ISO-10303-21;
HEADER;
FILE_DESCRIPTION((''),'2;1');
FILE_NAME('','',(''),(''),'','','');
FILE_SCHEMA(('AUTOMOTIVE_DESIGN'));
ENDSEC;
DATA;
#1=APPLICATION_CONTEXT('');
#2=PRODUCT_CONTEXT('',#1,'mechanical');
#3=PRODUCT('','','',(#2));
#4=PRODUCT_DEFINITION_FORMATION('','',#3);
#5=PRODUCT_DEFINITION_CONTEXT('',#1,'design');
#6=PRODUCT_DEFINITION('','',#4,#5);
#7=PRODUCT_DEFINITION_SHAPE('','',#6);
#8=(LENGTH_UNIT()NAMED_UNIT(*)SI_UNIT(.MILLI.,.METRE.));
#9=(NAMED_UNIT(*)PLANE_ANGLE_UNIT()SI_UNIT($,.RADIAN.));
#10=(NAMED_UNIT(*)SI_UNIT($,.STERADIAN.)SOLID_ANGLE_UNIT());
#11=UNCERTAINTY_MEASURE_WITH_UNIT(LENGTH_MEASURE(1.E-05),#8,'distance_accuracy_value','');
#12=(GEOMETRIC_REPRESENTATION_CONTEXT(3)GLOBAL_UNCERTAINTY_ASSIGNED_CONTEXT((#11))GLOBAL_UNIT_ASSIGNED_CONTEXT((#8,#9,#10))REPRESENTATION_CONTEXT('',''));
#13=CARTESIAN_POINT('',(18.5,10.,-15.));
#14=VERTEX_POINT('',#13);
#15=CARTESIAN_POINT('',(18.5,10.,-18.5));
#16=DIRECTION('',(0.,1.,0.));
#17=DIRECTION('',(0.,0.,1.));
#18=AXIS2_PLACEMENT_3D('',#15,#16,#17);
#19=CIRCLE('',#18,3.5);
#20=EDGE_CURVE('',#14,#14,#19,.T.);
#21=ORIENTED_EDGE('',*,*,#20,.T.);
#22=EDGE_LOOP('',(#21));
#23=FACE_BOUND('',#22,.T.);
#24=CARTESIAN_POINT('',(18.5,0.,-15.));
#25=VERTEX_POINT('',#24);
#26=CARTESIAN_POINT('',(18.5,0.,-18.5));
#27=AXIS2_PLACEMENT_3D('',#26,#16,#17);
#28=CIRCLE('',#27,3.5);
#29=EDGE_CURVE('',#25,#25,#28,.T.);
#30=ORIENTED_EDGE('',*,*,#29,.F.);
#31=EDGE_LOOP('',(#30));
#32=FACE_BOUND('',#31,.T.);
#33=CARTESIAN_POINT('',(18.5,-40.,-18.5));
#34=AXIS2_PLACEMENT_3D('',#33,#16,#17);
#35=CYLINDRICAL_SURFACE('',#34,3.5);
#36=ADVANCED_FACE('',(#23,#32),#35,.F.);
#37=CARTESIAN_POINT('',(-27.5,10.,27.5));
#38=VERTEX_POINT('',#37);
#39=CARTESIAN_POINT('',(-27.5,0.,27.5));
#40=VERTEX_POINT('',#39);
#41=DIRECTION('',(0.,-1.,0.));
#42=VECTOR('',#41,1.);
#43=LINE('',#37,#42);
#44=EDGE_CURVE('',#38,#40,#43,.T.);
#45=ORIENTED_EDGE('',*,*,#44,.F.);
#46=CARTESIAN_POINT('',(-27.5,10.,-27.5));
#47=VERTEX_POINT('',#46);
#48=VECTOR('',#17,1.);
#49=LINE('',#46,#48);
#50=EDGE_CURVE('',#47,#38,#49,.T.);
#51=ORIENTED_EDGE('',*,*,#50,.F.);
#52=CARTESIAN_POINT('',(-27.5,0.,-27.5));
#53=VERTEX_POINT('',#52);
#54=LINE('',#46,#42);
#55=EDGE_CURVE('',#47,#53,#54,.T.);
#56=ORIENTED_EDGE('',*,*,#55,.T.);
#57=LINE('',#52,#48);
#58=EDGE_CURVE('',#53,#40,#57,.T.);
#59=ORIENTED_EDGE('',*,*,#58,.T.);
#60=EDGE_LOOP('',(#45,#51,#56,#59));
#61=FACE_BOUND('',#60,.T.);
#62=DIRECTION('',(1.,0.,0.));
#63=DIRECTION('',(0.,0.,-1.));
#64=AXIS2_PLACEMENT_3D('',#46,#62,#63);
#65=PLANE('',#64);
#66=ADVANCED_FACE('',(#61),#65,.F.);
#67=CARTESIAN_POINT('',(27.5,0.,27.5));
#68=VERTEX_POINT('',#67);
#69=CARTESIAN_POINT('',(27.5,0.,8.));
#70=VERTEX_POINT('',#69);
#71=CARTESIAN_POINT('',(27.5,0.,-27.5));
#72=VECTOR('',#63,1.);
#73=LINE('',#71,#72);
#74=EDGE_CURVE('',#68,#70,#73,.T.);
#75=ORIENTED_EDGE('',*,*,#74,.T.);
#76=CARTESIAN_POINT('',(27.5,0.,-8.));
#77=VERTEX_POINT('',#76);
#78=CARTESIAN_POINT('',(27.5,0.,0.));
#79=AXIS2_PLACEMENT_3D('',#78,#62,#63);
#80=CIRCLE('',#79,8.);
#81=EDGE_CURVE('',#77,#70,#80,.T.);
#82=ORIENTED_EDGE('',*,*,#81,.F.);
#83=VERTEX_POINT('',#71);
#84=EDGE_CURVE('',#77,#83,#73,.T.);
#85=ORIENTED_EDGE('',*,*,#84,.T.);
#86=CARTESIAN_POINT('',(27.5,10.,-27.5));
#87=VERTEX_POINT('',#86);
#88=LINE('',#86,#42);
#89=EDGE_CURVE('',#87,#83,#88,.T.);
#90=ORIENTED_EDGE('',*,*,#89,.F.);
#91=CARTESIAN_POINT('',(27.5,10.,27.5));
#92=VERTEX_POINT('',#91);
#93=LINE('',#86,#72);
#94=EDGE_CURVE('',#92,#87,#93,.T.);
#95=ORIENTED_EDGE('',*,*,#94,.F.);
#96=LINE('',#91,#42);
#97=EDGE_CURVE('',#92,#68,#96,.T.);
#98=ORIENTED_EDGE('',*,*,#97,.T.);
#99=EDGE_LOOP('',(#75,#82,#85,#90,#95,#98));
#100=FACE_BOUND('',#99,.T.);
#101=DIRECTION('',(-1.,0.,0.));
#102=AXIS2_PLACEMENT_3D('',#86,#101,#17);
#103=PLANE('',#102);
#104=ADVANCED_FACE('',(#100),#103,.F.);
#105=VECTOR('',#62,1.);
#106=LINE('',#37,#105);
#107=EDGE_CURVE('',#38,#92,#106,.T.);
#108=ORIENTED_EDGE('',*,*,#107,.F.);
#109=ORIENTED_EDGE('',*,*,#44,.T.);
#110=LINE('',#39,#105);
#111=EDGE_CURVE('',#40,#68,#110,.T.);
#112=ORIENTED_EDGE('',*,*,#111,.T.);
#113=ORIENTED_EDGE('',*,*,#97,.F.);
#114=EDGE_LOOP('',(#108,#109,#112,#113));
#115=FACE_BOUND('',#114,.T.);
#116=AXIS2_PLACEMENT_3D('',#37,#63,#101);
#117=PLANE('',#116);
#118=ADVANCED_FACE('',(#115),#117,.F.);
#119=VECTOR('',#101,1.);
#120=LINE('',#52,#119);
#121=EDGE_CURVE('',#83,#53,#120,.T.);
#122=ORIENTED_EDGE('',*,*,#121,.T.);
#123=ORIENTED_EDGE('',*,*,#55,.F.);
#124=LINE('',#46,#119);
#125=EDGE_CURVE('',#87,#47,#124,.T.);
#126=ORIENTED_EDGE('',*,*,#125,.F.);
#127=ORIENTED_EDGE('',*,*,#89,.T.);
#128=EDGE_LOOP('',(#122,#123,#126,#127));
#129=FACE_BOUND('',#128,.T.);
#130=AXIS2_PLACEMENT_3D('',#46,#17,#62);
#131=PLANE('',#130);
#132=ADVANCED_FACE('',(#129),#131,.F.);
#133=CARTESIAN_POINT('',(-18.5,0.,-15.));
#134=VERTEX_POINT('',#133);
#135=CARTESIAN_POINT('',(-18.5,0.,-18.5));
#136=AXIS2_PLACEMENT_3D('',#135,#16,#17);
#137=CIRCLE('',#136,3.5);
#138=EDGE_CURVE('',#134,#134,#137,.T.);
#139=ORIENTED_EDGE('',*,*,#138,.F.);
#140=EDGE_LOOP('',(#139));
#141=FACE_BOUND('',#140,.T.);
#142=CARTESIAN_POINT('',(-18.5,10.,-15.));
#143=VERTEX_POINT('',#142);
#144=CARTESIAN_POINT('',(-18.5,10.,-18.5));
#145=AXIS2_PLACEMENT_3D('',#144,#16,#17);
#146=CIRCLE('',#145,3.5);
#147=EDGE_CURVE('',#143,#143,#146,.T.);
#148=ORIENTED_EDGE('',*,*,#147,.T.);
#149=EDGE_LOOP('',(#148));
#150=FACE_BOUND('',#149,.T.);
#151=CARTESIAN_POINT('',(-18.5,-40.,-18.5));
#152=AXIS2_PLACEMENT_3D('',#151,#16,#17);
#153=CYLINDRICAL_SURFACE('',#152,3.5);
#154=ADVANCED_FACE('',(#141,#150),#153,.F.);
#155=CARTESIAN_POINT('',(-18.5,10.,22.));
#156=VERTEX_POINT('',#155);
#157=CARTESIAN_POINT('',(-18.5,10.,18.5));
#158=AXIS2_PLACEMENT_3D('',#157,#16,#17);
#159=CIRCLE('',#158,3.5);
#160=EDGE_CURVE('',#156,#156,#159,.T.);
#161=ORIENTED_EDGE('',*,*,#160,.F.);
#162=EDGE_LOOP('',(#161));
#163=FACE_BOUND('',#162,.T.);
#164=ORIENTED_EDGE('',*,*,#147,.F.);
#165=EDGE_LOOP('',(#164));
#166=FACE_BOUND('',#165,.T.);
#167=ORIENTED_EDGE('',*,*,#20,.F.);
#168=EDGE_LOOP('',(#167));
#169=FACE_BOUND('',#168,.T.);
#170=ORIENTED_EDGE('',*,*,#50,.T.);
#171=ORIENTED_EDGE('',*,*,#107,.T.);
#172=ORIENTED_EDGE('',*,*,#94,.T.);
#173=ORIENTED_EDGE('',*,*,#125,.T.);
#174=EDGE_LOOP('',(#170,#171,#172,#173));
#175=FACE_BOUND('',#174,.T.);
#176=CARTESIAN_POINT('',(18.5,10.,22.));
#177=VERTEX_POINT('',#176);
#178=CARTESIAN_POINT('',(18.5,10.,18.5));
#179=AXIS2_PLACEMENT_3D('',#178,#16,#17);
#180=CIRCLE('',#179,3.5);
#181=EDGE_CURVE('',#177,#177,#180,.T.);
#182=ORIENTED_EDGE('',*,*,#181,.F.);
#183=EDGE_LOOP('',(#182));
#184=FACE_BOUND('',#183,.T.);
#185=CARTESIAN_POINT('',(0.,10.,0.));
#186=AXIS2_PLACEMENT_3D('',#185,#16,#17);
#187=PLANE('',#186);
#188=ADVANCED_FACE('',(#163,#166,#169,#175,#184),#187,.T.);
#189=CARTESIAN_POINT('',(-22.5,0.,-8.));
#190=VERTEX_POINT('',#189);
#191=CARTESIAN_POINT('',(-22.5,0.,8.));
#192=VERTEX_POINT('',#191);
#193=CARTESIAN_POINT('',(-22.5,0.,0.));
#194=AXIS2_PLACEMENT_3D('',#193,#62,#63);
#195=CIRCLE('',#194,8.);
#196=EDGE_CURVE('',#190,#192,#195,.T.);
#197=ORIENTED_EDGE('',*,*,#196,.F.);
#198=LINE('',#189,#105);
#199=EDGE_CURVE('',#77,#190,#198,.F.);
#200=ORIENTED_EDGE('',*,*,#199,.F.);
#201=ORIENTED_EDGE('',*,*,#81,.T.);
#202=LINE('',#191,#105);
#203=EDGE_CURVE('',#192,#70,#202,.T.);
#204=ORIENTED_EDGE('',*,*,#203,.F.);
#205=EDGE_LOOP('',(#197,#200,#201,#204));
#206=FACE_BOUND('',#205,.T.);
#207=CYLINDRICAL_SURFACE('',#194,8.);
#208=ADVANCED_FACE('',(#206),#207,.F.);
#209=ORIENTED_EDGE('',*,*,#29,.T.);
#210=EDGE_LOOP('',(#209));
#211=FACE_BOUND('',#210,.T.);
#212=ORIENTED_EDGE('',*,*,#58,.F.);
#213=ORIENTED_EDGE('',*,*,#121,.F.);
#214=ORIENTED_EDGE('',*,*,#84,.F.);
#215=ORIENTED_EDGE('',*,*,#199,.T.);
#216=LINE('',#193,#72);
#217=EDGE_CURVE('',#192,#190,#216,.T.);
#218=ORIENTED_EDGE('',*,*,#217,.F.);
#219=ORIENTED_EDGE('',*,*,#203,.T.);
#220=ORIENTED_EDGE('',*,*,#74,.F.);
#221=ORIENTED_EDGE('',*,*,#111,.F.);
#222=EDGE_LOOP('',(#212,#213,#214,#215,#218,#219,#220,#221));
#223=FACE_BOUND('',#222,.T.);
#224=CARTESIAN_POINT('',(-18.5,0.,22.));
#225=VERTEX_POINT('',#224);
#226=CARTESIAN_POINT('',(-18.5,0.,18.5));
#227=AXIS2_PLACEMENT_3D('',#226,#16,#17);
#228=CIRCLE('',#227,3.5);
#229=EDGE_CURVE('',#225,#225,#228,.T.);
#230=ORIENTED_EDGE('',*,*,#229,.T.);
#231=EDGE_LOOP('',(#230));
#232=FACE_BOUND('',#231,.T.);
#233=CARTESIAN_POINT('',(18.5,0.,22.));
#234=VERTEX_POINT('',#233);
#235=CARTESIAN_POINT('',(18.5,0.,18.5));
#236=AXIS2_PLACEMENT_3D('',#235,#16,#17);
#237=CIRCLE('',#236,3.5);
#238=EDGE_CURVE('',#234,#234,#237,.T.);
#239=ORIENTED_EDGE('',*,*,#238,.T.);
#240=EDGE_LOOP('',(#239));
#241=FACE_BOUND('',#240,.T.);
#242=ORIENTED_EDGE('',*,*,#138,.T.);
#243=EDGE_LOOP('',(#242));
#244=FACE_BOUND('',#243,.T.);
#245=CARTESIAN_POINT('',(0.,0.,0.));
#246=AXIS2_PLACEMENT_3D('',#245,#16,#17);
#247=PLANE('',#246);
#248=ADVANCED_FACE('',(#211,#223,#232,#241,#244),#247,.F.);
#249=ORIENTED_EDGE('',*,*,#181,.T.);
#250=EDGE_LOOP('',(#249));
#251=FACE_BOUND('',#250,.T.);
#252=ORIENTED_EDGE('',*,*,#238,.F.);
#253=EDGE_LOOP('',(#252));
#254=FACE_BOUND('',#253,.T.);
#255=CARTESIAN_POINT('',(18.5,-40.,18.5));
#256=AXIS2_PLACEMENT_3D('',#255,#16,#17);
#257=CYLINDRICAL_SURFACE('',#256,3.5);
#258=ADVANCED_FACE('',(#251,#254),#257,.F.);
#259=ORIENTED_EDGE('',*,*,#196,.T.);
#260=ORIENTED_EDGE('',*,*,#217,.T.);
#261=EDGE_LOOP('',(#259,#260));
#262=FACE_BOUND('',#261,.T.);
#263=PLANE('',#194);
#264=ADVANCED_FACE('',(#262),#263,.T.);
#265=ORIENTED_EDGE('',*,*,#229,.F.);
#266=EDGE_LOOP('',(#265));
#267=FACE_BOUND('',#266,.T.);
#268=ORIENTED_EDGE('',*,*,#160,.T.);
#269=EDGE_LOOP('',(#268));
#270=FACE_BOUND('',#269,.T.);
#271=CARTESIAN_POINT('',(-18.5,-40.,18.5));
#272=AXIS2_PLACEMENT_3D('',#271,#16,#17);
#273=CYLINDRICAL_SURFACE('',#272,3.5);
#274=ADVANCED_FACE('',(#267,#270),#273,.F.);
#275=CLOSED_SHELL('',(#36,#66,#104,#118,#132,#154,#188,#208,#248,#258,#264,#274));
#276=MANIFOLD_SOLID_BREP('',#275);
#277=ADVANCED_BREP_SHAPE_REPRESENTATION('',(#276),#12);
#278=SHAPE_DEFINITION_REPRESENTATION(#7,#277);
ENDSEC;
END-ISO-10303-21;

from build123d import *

# Parameters (mm, degrees)
SKETCH1_W           = 55
SKETCH1_H           = 55
BOSS_EXTRUDE1_DEPTH = 10
SKETCH2_R           = 8
CUT_EXTRUDE1_DEPTH  = 50
SKETCH3_R           = 3.5
CUT_EXTRUDE2_DEPTH  = 50


with BuildPart() as part:
    # Sketch1 → Boss-Extrude1 (new body)
    with BuildSketch(Plane(origin=(0, 0, 0), x_dir=(1, 0, 0), z_dir=(0, 1, 0))):
        Rectangle(SKETCH1_W, SKETCH1_H)
    extrude(amount=BOSS_EXTRUDE1_DEPTH)

    # Sketch2 → Cut-Extrude1 (cut)
    with BuildSketch(Plane(origin=(27.5, 0, 0), x_dir=(0, 0, -1), z_dir=(1, 0, 0))):
        Circle(SKETCH2_R)
    extrude(amount=-CUT_EXTRUDE1_DEPTH, mode=Mode.SUBTRACT)

    # Sketch3 → Cut-Extrude2 (cut)
    with BuildSketch(Plane(origin=(0, 10, 0), x_dir=(1, 0, 0), z_dir=(0, 1, 0))):
        with Locations((-18.5, 18.5)):
            Circle(SKETCH3_R)
        with Locations((18.5, 18.5)):
            Circle(SKETCH3_R)
        with Locations((-18.5, -18.5)):
            Circle(SKETCH3_R)
        with Locations((18.5, -18.5)):
            Circle(SKETCH3_R)
    extrude(amount=-CUT_EXTRUDE2_DEPTH, mode=Mode.SUBTRACT)


solid = part.part
